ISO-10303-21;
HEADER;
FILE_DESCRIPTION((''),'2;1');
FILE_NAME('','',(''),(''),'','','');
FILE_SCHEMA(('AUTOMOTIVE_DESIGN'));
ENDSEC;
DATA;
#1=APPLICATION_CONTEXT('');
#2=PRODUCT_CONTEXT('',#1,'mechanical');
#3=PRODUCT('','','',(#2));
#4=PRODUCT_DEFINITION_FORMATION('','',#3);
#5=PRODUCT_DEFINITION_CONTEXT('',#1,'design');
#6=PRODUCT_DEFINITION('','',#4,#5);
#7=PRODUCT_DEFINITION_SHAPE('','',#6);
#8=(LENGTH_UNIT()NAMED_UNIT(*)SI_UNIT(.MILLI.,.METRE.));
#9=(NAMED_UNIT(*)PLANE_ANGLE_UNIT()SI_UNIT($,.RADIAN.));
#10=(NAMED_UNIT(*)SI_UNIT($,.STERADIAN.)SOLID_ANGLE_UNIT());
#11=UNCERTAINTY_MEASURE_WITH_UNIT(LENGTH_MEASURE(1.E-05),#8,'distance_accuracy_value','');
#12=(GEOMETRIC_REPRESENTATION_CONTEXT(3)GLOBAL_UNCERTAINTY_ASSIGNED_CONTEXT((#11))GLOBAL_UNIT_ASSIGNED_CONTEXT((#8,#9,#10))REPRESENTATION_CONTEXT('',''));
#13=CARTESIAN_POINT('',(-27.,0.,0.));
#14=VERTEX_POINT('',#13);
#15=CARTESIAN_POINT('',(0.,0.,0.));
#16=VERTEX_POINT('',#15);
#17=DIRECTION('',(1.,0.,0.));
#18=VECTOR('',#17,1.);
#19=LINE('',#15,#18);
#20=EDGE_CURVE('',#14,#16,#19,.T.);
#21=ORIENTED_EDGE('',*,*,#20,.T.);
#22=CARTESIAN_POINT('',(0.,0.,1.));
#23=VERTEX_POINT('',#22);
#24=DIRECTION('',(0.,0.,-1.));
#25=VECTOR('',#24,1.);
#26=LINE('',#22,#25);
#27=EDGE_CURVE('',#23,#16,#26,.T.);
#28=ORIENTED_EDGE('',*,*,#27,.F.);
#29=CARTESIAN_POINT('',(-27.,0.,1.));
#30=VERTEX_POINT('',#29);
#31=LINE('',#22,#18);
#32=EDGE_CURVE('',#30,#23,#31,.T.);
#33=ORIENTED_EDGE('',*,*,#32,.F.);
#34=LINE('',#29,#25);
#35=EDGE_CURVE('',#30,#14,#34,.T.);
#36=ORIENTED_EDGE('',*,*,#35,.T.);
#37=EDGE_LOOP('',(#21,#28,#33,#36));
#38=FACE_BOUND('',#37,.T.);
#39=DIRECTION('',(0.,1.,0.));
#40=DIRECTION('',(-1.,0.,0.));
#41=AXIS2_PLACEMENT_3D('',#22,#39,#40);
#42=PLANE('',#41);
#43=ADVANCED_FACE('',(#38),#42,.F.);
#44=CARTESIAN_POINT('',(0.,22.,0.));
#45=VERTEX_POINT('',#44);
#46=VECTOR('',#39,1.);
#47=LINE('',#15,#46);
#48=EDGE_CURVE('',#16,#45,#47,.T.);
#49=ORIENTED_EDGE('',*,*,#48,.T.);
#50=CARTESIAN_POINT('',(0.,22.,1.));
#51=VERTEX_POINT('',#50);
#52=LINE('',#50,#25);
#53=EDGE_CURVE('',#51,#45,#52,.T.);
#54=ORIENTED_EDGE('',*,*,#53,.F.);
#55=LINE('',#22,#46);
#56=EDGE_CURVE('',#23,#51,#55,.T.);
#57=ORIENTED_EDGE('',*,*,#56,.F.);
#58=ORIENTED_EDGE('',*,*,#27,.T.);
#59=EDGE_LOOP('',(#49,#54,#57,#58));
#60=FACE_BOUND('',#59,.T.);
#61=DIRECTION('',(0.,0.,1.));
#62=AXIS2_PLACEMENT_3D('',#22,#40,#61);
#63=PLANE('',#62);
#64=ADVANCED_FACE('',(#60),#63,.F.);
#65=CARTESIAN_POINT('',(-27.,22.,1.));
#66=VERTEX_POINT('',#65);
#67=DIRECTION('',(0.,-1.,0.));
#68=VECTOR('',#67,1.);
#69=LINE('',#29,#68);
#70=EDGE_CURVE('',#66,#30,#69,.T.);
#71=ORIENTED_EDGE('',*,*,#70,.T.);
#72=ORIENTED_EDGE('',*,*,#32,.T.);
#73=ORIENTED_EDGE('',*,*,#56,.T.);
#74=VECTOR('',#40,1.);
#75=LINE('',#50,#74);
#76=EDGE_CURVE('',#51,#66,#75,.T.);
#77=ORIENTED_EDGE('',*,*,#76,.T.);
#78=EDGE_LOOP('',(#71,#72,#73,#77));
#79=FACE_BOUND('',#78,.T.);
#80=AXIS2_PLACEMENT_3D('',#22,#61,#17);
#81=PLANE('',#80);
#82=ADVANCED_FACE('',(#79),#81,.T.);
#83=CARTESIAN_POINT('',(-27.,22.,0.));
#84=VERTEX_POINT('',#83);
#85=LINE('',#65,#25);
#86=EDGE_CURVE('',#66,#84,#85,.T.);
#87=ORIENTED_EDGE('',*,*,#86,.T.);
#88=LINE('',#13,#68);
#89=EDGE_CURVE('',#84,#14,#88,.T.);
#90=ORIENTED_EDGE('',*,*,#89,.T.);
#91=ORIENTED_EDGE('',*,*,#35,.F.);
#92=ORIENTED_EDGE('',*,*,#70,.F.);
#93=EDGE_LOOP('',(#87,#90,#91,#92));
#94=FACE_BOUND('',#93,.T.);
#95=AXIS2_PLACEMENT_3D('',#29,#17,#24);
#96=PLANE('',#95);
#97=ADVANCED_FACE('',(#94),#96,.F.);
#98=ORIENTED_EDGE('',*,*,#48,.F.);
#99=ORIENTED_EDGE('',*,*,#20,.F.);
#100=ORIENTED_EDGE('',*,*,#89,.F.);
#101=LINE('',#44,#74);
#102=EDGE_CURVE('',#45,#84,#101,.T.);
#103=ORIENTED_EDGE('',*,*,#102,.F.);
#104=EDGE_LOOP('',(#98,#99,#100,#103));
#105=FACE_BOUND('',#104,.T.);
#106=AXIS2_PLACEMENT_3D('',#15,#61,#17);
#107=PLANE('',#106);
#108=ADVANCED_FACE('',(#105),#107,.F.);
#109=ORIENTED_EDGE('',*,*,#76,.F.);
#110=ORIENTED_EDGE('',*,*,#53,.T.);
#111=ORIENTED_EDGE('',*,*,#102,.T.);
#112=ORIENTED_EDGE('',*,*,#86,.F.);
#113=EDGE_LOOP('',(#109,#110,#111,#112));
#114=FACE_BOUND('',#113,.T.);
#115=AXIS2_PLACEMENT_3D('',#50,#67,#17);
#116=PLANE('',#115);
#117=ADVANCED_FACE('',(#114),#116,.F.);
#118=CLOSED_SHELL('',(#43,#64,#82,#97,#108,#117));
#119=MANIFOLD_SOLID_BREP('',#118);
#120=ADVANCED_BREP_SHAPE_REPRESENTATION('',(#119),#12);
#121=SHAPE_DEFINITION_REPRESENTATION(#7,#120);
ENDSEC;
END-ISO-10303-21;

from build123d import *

# Parameters (mm, degrees)
ESBO_O1_W                = 27
ESBO_O1_H                = 22
RESSALTO_EXTRUS_O1_DEPTH = 1


with BuildPart() as part:
    # Esboço1 → Ressalto-extrusão1 (new body)
    with BuildSketch(Plane.XY):
        with Locations((-13.5, 11)):
            Rectangle(ESBO_O1_W, ESBO_O1_H)
    extrude(amount=RESSALTO_EXTRUS_O1_DEPTH)


solid = part.part
